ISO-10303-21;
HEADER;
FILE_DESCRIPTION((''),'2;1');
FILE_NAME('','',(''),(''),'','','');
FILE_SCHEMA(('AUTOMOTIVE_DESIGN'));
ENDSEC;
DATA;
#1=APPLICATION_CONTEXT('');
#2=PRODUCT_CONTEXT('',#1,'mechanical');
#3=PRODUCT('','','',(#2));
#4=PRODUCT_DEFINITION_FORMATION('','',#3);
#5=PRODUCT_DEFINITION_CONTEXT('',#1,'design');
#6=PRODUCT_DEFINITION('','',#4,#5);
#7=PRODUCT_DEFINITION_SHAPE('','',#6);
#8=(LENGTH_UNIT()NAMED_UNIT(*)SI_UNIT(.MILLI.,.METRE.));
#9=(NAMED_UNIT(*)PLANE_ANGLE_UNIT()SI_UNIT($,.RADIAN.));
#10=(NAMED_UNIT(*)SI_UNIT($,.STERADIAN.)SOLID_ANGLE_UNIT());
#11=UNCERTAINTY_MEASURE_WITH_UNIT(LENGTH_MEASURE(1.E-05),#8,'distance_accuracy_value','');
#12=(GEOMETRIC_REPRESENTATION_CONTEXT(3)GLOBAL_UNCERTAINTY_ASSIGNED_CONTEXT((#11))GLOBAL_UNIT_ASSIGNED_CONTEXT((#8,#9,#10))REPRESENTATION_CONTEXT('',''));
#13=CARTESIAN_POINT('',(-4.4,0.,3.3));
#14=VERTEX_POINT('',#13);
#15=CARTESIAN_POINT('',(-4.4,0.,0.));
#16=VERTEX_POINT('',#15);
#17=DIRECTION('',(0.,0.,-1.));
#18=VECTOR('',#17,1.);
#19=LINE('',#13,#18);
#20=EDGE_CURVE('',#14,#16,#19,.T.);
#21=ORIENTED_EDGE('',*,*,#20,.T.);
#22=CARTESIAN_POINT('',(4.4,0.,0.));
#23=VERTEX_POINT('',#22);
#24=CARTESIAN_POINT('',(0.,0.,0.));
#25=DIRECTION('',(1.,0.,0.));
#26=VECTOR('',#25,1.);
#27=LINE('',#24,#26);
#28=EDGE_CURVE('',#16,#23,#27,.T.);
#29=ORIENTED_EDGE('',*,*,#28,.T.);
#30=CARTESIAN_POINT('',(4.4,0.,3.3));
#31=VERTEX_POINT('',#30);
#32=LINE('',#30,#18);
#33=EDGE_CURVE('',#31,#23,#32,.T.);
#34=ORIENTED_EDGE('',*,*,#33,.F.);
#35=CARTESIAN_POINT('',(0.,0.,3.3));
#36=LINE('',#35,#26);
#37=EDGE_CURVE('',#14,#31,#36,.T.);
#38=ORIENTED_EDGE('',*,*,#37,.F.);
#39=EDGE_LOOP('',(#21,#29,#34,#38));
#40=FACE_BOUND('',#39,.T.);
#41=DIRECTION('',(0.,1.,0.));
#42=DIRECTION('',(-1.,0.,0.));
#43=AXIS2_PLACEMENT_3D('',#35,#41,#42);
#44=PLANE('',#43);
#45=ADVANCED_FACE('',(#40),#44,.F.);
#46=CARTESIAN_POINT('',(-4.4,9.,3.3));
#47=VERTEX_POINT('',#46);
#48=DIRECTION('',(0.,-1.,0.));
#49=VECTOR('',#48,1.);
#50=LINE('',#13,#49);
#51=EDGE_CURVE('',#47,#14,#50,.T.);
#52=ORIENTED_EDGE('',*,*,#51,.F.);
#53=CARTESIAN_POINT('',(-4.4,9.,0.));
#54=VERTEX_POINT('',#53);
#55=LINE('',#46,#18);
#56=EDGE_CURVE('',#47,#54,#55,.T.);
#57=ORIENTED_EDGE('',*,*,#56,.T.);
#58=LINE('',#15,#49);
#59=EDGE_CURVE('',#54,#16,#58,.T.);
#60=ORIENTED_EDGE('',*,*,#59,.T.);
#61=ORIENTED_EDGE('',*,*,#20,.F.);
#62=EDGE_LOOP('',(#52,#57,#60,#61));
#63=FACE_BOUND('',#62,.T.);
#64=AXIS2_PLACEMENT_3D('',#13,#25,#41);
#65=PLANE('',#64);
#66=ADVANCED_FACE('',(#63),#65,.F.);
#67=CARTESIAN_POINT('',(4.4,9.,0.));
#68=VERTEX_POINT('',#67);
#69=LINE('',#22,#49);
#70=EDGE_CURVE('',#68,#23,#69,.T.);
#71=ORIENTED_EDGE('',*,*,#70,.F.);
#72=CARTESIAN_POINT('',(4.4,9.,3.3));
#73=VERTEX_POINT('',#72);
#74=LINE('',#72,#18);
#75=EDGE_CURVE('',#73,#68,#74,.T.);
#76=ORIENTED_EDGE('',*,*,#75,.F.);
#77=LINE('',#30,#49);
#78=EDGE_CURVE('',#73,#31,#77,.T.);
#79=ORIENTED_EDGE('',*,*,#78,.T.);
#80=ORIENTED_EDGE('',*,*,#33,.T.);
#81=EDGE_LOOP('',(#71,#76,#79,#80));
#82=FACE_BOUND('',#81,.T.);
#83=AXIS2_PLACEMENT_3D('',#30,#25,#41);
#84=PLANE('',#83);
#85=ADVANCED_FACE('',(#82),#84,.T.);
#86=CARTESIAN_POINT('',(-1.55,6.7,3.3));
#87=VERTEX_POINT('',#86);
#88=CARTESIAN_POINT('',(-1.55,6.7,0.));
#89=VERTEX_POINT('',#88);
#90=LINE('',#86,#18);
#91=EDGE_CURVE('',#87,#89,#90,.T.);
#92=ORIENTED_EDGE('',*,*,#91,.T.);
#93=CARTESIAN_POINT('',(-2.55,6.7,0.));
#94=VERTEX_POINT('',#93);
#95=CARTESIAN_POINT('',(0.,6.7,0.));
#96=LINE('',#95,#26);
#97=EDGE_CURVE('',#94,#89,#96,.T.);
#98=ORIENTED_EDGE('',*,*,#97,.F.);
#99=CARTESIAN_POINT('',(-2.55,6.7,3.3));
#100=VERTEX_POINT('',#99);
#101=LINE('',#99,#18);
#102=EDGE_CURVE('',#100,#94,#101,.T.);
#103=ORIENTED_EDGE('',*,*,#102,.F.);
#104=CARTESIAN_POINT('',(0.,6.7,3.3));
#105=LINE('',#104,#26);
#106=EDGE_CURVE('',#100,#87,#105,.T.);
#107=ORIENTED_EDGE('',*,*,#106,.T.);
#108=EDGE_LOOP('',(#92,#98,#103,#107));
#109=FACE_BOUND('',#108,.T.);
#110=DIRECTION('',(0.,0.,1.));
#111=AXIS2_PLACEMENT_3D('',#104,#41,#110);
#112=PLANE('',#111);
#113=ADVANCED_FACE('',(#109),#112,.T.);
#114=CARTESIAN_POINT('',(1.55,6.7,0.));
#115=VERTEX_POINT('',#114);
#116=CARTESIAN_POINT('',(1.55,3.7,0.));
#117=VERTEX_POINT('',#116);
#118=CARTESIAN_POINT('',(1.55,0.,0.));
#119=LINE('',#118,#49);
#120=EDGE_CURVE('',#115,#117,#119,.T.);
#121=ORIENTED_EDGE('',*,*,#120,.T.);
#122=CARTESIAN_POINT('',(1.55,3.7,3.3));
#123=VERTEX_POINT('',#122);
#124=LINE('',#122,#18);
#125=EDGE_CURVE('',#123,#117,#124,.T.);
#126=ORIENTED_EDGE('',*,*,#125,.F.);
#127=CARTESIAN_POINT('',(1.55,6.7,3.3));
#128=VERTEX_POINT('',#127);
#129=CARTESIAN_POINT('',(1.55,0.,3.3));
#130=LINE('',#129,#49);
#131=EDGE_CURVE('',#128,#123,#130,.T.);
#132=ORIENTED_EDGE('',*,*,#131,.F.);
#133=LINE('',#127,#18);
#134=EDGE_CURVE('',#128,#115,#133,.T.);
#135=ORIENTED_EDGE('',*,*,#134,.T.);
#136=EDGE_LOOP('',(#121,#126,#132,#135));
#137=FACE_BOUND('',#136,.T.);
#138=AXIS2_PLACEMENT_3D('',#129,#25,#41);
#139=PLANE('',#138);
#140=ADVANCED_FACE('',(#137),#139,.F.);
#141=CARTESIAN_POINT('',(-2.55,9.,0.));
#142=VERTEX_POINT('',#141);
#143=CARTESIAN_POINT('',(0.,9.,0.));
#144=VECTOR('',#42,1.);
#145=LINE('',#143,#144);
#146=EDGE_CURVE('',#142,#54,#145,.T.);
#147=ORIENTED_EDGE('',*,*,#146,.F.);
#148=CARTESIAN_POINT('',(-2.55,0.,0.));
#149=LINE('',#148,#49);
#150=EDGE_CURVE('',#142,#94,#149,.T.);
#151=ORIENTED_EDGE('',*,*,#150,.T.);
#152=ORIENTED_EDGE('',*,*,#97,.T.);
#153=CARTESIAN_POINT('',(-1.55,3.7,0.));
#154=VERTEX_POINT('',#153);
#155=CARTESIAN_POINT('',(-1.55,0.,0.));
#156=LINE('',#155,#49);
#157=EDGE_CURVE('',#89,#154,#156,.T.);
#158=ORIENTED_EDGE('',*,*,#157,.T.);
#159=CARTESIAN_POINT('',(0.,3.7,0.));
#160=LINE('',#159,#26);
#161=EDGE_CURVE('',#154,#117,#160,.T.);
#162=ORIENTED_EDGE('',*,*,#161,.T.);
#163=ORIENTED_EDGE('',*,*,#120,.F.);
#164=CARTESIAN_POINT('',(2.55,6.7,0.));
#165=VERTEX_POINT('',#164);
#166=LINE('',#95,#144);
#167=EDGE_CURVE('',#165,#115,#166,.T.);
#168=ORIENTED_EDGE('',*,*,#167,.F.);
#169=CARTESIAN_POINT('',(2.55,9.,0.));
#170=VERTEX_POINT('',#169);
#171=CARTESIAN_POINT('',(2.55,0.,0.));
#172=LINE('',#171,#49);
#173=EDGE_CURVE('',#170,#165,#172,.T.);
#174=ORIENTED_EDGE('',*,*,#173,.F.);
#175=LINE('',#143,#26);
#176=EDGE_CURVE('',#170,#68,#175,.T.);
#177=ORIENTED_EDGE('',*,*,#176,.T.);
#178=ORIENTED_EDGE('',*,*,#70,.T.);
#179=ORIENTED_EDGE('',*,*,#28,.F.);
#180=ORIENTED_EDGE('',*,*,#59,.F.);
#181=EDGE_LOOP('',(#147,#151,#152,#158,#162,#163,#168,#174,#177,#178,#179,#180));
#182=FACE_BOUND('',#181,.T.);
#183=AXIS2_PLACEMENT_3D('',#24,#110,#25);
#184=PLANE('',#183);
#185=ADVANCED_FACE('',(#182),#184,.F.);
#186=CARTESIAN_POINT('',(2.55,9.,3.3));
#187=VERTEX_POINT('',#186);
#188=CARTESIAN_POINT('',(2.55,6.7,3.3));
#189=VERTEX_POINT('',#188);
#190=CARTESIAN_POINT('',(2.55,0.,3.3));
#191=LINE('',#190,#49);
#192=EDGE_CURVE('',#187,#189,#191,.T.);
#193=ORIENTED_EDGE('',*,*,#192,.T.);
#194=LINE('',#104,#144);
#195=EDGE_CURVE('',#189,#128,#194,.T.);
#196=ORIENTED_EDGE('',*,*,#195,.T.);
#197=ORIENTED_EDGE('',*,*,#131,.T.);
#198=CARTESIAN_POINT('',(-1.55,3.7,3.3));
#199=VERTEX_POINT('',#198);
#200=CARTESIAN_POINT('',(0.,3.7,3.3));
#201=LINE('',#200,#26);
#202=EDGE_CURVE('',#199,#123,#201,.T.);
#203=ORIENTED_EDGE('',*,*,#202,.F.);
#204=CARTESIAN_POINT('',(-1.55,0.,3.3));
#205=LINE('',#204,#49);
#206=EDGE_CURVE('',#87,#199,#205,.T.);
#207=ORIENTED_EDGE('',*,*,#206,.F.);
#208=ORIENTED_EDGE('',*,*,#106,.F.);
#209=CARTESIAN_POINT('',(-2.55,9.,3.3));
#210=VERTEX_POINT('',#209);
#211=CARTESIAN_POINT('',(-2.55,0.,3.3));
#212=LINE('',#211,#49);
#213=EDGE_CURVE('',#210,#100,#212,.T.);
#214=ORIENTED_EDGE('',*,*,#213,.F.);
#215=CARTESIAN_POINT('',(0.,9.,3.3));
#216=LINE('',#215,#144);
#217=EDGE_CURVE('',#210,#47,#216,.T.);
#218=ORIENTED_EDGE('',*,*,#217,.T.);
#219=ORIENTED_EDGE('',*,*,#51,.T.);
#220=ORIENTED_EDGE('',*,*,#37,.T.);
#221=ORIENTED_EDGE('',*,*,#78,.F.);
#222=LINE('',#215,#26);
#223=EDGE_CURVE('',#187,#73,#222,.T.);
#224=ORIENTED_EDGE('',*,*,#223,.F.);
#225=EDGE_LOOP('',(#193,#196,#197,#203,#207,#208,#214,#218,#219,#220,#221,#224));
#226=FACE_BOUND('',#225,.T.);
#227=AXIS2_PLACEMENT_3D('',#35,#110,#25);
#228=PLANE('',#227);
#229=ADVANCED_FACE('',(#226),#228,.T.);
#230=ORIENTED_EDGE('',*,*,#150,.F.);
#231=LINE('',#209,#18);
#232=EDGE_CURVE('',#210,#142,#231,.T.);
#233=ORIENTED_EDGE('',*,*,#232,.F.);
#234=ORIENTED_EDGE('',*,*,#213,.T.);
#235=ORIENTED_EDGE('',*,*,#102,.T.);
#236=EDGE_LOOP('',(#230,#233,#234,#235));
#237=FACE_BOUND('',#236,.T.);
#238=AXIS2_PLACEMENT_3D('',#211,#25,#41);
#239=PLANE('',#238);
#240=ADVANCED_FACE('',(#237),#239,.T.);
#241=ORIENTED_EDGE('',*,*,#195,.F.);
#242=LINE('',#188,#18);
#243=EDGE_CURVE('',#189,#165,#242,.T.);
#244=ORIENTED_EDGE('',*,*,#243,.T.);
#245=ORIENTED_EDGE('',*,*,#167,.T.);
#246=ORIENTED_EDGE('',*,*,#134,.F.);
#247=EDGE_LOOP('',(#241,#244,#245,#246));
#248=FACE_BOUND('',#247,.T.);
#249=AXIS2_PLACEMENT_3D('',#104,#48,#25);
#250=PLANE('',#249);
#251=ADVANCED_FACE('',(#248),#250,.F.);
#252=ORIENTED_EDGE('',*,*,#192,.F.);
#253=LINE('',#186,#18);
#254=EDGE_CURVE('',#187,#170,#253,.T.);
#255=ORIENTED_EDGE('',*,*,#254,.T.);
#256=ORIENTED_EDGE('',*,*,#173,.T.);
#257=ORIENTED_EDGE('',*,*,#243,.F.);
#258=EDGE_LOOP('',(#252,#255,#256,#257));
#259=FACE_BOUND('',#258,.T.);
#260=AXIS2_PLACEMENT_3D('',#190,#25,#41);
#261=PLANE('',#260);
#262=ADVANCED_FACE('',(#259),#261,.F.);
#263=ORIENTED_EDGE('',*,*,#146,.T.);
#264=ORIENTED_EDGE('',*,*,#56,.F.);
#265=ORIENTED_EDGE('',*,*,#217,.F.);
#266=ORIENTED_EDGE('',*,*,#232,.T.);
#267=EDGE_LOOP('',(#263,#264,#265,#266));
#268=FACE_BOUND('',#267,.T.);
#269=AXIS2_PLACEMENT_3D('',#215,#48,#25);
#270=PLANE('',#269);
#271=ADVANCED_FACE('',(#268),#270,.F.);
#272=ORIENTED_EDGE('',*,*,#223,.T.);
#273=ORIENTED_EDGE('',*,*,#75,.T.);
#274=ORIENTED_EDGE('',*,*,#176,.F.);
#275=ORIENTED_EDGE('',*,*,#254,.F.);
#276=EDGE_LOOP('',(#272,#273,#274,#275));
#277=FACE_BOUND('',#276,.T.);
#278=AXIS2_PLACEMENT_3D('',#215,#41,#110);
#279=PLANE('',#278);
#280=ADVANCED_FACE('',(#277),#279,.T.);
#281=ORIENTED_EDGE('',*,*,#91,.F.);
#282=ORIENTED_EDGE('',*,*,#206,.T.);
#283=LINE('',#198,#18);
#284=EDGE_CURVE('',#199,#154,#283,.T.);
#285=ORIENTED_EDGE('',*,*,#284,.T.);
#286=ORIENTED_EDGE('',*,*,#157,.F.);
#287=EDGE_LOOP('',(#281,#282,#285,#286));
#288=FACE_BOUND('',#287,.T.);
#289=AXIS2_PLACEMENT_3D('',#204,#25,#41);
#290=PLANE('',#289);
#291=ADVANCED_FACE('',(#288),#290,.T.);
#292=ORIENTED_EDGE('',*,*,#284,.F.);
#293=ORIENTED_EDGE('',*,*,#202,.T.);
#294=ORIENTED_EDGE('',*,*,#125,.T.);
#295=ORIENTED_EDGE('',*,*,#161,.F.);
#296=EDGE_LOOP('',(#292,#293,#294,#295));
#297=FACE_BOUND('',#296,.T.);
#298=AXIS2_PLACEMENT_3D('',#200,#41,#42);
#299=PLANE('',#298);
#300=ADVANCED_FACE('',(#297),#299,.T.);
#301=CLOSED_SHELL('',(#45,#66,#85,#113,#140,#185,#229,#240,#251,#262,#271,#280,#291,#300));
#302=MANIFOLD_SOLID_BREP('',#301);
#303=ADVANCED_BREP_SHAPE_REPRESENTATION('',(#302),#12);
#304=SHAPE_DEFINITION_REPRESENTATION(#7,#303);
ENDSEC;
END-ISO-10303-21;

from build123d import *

# Parameters (mm, degrees)
BOSS_EXTRUDE1_DEPTH = 3.3


with BuildPart() as part:
    # Sketch1 → Boss-Extrude1 (new body)
    with BuildSketch(Plane.XY):
        Polygon((-2.55, 6.7), (-2.55, 9), (-4.4, 9), (-4.4, 0), (0, 0), (0, 3.7), (-1.55, 3.7), (-1.55, 6.7), align=None)
        Polygon((0, 3.7), (0, 0), (4.4, 0), (4.4, 9), (2.55, 9), (2.55, 6.7), (1.55, 6.7), (1.55, 3.7), align=None)
    extrude(amount=BOSS_EXTRUDE1_DEPTH)


solid = part.part
